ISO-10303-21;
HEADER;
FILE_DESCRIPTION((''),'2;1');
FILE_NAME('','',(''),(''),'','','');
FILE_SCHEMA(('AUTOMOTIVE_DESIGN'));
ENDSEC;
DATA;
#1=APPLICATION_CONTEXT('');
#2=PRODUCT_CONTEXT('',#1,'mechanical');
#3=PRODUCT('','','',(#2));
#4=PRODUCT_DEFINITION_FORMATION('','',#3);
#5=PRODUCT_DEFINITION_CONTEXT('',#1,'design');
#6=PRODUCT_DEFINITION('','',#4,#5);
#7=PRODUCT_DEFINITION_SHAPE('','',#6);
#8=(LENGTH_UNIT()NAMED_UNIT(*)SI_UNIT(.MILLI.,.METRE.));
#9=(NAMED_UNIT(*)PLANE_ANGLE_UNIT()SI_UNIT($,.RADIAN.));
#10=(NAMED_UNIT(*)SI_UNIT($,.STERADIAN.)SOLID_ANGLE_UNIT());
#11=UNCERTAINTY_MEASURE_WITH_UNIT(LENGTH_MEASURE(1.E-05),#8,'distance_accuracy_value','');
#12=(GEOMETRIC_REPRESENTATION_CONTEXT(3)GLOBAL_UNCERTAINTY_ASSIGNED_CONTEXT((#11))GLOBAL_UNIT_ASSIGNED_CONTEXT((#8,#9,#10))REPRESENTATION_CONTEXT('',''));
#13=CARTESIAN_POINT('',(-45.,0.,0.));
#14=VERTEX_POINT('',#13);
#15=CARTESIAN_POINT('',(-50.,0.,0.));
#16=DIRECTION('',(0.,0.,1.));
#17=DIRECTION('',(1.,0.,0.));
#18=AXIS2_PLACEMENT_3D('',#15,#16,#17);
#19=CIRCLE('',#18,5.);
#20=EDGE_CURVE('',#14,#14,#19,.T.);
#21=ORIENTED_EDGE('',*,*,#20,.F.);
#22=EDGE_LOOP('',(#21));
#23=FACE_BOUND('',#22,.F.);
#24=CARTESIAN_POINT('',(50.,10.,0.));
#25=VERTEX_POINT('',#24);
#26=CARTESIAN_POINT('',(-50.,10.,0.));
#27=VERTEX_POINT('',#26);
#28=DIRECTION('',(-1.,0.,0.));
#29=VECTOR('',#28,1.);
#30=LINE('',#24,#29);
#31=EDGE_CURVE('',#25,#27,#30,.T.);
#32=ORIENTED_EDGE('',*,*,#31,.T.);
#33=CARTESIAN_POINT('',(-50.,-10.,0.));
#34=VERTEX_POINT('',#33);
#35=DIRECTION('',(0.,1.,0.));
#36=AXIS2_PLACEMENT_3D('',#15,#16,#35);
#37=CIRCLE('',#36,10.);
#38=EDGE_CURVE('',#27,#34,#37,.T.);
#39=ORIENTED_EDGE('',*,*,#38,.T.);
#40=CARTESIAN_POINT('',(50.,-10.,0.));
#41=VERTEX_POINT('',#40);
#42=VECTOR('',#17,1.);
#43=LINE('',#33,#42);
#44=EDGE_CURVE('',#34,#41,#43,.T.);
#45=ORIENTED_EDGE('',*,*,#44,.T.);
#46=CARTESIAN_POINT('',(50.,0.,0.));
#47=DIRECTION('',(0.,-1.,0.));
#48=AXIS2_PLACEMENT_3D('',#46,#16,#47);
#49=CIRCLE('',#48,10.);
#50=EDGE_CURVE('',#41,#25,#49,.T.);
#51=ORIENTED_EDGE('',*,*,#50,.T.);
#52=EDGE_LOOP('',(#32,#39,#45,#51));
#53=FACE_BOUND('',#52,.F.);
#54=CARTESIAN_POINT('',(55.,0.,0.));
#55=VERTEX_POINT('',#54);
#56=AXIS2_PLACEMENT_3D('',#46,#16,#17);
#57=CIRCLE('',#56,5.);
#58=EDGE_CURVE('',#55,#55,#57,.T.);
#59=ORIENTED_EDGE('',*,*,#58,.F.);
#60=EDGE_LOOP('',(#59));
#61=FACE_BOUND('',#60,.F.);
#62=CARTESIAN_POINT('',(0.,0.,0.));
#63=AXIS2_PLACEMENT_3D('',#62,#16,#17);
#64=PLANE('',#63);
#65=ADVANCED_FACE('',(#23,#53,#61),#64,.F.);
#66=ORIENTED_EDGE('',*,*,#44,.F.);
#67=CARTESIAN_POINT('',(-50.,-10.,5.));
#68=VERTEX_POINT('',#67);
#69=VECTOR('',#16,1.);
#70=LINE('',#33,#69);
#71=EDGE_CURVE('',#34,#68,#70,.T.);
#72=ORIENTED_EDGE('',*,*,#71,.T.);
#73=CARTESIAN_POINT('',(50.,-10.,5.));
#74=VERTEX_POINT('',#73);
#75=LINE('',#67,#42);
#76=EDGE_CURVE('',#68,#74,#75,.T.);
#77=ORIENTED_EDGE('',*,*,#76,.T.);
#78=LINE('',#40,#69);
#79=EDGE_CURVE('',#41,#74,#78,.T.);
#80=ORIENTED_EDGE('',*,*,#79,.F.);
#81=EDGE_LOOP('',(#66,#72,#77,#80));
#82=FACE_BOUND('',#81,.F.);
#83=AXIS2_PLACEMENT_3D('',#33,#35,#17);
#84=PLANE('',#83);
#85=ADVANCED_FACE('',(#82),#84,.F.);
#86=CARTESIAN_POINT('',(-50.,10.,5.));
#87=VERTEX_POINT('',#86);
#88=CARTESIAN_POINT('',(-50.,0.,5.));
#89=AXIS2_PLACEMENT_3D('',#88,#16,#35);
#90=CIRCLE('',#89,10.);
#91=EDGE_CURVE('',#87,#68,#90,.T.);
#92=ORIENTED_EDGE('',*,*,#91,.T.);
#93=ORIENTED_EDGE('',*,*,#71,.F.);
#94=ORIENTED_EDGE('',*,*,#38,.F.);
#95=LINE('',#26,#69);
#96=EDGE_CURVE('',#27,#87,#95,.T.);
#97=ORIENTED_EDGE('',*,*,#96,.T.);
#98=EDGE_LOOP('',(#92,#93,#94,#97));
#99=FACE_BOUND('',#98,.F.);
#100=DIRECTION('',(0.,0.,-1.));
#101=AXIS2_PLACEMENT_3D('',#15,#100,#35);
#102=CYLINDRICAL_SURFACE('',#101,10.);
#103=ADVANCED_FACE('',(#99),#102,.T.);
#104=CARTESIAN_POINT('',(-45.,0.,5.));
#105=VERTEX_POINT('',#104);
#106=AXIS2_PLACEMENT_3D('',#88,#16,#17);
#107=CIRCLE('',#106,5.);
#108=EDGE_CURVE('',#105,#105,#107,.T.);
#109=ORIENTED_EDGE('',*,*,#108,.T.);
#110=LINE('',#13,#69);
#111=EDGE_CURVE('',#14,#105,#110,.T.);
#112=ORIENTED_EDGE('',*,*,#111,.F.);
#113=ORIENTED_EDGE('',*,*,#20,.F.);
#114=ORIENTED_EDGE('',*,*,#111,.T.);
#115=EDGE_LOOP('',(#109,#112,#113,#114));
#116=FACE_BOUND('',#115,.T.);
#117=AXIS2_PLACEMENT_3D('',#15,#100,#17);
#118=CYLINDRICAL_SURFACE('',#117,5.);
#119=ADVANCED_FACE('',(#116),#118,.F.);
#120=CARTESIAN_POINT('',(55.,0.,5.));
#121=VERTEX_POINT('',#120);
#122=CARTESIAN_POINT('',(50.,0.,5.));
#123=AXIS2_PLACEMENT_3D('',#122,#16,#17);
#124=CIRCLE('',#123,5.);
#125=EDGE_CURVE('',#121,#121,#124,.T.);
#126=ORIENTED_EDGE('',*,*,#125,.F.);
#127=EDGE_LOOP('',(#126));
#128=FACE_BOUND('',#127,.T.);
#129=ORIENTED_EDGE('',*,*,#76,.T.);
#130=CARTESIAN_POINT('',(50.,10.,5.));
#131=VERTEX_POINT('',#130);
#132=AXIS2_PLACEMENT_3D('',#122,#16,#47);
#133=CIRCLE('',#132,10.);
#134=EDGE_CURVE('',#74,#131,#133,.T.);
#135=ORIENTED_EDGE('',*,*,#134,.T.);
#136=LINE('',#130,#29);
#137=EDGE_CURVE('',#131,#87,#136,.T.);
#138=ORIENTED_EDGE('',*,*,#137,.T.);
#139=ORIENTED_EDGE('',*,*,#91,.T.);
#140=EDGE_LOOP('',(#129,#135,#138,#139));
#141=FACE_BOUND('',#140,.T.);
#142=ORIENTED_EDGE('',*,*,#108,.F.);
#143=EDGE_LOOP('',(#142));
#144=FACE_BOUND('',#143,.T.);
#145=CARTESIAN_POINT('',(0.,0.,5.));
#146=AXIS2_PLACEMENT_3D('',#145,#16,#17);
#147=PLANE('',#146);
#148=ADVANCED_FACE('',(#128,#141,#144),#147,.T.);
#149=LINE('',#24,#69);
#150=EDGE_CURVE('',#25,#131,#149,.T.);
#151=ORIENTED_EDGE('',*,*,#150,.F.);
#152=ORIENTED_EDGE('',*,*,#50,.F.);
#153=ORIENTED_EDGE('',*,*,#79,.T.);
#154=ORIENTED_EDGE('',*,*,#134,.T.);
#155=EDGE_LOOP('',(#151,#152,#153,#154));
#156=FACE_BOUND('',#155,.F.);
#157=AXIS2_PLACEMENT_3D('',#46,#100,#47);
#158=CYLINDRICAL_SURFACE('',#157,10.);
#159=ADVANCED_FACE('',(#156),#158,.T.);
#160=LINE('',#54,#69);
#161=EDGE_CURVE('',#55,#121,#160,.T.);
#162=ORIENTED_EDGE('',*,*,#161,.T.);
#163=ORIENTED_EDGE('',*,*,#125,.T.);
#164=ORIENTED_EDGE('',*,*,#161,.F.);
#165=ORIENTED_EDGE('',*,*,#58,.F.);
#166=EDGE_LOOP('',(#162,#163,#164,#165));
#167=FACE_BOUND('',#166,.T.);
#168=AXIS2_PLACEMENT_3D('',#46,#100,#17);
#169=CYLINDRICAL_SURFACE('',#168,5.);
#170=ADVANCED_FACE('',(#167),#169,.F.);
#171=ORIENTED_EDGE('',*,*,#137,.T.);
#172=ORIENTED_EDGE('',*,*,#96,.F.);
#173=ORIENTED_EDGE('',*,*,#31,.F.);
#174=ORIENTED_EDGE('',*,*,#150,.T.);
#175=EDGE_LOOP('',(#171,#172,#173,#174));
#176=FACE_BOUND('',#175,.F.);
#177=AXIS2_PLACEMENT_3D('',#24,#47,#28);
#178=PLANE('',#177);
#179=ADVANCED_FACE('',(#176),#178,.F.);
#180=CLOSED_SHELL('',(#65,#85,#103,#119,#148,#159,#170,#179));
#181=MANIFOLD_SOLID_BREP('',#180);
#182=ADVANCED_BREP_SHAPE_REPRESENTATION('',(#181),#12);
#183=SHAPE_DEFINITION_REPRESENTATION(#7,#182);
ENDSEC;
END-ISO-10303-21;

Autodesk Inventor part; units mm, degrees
ref_plane "YZ Plane" through (0, 0, 0) normal (1, 0, 0) x (0, 1, 0)
ref_plane "XZ Plane" through (0, 0, 0) normal (0, 1, 0) x (-1, 0, 0)
ref_plane "XY Plane" through (0, 0, 0) normal (0, 0, 1) x (1, 0, 0)
sketch "스케치1" plane through (0, 0, 0) normal (0, 0, 1) x (1, 0, 0)
  line L0 (-50, 0) -> (50, 0) construction
  line L1 (-50, -10) -> (50, -10)
  line L2 (50, 10) -> (-50, 10)
  arc A0 (-50, 10) -> (-50, -10) centre (-50, 0) ccw
  arc A1 (50, -10) -> (50, 10) centre (50, 0) ccw
  circle A2 centre (-50, 0) radius 5
  circle A3 centre (50, 0) radius 5
  point P0 (0, 0)
  dimension "d1" = 20
  dimension "d2" = 10
  dimension "d3" = 10
  dimension "d4" = 100
extrude "돌출1" add sketch "스케치1" along normal blind 5
properties part number "link_l1"
